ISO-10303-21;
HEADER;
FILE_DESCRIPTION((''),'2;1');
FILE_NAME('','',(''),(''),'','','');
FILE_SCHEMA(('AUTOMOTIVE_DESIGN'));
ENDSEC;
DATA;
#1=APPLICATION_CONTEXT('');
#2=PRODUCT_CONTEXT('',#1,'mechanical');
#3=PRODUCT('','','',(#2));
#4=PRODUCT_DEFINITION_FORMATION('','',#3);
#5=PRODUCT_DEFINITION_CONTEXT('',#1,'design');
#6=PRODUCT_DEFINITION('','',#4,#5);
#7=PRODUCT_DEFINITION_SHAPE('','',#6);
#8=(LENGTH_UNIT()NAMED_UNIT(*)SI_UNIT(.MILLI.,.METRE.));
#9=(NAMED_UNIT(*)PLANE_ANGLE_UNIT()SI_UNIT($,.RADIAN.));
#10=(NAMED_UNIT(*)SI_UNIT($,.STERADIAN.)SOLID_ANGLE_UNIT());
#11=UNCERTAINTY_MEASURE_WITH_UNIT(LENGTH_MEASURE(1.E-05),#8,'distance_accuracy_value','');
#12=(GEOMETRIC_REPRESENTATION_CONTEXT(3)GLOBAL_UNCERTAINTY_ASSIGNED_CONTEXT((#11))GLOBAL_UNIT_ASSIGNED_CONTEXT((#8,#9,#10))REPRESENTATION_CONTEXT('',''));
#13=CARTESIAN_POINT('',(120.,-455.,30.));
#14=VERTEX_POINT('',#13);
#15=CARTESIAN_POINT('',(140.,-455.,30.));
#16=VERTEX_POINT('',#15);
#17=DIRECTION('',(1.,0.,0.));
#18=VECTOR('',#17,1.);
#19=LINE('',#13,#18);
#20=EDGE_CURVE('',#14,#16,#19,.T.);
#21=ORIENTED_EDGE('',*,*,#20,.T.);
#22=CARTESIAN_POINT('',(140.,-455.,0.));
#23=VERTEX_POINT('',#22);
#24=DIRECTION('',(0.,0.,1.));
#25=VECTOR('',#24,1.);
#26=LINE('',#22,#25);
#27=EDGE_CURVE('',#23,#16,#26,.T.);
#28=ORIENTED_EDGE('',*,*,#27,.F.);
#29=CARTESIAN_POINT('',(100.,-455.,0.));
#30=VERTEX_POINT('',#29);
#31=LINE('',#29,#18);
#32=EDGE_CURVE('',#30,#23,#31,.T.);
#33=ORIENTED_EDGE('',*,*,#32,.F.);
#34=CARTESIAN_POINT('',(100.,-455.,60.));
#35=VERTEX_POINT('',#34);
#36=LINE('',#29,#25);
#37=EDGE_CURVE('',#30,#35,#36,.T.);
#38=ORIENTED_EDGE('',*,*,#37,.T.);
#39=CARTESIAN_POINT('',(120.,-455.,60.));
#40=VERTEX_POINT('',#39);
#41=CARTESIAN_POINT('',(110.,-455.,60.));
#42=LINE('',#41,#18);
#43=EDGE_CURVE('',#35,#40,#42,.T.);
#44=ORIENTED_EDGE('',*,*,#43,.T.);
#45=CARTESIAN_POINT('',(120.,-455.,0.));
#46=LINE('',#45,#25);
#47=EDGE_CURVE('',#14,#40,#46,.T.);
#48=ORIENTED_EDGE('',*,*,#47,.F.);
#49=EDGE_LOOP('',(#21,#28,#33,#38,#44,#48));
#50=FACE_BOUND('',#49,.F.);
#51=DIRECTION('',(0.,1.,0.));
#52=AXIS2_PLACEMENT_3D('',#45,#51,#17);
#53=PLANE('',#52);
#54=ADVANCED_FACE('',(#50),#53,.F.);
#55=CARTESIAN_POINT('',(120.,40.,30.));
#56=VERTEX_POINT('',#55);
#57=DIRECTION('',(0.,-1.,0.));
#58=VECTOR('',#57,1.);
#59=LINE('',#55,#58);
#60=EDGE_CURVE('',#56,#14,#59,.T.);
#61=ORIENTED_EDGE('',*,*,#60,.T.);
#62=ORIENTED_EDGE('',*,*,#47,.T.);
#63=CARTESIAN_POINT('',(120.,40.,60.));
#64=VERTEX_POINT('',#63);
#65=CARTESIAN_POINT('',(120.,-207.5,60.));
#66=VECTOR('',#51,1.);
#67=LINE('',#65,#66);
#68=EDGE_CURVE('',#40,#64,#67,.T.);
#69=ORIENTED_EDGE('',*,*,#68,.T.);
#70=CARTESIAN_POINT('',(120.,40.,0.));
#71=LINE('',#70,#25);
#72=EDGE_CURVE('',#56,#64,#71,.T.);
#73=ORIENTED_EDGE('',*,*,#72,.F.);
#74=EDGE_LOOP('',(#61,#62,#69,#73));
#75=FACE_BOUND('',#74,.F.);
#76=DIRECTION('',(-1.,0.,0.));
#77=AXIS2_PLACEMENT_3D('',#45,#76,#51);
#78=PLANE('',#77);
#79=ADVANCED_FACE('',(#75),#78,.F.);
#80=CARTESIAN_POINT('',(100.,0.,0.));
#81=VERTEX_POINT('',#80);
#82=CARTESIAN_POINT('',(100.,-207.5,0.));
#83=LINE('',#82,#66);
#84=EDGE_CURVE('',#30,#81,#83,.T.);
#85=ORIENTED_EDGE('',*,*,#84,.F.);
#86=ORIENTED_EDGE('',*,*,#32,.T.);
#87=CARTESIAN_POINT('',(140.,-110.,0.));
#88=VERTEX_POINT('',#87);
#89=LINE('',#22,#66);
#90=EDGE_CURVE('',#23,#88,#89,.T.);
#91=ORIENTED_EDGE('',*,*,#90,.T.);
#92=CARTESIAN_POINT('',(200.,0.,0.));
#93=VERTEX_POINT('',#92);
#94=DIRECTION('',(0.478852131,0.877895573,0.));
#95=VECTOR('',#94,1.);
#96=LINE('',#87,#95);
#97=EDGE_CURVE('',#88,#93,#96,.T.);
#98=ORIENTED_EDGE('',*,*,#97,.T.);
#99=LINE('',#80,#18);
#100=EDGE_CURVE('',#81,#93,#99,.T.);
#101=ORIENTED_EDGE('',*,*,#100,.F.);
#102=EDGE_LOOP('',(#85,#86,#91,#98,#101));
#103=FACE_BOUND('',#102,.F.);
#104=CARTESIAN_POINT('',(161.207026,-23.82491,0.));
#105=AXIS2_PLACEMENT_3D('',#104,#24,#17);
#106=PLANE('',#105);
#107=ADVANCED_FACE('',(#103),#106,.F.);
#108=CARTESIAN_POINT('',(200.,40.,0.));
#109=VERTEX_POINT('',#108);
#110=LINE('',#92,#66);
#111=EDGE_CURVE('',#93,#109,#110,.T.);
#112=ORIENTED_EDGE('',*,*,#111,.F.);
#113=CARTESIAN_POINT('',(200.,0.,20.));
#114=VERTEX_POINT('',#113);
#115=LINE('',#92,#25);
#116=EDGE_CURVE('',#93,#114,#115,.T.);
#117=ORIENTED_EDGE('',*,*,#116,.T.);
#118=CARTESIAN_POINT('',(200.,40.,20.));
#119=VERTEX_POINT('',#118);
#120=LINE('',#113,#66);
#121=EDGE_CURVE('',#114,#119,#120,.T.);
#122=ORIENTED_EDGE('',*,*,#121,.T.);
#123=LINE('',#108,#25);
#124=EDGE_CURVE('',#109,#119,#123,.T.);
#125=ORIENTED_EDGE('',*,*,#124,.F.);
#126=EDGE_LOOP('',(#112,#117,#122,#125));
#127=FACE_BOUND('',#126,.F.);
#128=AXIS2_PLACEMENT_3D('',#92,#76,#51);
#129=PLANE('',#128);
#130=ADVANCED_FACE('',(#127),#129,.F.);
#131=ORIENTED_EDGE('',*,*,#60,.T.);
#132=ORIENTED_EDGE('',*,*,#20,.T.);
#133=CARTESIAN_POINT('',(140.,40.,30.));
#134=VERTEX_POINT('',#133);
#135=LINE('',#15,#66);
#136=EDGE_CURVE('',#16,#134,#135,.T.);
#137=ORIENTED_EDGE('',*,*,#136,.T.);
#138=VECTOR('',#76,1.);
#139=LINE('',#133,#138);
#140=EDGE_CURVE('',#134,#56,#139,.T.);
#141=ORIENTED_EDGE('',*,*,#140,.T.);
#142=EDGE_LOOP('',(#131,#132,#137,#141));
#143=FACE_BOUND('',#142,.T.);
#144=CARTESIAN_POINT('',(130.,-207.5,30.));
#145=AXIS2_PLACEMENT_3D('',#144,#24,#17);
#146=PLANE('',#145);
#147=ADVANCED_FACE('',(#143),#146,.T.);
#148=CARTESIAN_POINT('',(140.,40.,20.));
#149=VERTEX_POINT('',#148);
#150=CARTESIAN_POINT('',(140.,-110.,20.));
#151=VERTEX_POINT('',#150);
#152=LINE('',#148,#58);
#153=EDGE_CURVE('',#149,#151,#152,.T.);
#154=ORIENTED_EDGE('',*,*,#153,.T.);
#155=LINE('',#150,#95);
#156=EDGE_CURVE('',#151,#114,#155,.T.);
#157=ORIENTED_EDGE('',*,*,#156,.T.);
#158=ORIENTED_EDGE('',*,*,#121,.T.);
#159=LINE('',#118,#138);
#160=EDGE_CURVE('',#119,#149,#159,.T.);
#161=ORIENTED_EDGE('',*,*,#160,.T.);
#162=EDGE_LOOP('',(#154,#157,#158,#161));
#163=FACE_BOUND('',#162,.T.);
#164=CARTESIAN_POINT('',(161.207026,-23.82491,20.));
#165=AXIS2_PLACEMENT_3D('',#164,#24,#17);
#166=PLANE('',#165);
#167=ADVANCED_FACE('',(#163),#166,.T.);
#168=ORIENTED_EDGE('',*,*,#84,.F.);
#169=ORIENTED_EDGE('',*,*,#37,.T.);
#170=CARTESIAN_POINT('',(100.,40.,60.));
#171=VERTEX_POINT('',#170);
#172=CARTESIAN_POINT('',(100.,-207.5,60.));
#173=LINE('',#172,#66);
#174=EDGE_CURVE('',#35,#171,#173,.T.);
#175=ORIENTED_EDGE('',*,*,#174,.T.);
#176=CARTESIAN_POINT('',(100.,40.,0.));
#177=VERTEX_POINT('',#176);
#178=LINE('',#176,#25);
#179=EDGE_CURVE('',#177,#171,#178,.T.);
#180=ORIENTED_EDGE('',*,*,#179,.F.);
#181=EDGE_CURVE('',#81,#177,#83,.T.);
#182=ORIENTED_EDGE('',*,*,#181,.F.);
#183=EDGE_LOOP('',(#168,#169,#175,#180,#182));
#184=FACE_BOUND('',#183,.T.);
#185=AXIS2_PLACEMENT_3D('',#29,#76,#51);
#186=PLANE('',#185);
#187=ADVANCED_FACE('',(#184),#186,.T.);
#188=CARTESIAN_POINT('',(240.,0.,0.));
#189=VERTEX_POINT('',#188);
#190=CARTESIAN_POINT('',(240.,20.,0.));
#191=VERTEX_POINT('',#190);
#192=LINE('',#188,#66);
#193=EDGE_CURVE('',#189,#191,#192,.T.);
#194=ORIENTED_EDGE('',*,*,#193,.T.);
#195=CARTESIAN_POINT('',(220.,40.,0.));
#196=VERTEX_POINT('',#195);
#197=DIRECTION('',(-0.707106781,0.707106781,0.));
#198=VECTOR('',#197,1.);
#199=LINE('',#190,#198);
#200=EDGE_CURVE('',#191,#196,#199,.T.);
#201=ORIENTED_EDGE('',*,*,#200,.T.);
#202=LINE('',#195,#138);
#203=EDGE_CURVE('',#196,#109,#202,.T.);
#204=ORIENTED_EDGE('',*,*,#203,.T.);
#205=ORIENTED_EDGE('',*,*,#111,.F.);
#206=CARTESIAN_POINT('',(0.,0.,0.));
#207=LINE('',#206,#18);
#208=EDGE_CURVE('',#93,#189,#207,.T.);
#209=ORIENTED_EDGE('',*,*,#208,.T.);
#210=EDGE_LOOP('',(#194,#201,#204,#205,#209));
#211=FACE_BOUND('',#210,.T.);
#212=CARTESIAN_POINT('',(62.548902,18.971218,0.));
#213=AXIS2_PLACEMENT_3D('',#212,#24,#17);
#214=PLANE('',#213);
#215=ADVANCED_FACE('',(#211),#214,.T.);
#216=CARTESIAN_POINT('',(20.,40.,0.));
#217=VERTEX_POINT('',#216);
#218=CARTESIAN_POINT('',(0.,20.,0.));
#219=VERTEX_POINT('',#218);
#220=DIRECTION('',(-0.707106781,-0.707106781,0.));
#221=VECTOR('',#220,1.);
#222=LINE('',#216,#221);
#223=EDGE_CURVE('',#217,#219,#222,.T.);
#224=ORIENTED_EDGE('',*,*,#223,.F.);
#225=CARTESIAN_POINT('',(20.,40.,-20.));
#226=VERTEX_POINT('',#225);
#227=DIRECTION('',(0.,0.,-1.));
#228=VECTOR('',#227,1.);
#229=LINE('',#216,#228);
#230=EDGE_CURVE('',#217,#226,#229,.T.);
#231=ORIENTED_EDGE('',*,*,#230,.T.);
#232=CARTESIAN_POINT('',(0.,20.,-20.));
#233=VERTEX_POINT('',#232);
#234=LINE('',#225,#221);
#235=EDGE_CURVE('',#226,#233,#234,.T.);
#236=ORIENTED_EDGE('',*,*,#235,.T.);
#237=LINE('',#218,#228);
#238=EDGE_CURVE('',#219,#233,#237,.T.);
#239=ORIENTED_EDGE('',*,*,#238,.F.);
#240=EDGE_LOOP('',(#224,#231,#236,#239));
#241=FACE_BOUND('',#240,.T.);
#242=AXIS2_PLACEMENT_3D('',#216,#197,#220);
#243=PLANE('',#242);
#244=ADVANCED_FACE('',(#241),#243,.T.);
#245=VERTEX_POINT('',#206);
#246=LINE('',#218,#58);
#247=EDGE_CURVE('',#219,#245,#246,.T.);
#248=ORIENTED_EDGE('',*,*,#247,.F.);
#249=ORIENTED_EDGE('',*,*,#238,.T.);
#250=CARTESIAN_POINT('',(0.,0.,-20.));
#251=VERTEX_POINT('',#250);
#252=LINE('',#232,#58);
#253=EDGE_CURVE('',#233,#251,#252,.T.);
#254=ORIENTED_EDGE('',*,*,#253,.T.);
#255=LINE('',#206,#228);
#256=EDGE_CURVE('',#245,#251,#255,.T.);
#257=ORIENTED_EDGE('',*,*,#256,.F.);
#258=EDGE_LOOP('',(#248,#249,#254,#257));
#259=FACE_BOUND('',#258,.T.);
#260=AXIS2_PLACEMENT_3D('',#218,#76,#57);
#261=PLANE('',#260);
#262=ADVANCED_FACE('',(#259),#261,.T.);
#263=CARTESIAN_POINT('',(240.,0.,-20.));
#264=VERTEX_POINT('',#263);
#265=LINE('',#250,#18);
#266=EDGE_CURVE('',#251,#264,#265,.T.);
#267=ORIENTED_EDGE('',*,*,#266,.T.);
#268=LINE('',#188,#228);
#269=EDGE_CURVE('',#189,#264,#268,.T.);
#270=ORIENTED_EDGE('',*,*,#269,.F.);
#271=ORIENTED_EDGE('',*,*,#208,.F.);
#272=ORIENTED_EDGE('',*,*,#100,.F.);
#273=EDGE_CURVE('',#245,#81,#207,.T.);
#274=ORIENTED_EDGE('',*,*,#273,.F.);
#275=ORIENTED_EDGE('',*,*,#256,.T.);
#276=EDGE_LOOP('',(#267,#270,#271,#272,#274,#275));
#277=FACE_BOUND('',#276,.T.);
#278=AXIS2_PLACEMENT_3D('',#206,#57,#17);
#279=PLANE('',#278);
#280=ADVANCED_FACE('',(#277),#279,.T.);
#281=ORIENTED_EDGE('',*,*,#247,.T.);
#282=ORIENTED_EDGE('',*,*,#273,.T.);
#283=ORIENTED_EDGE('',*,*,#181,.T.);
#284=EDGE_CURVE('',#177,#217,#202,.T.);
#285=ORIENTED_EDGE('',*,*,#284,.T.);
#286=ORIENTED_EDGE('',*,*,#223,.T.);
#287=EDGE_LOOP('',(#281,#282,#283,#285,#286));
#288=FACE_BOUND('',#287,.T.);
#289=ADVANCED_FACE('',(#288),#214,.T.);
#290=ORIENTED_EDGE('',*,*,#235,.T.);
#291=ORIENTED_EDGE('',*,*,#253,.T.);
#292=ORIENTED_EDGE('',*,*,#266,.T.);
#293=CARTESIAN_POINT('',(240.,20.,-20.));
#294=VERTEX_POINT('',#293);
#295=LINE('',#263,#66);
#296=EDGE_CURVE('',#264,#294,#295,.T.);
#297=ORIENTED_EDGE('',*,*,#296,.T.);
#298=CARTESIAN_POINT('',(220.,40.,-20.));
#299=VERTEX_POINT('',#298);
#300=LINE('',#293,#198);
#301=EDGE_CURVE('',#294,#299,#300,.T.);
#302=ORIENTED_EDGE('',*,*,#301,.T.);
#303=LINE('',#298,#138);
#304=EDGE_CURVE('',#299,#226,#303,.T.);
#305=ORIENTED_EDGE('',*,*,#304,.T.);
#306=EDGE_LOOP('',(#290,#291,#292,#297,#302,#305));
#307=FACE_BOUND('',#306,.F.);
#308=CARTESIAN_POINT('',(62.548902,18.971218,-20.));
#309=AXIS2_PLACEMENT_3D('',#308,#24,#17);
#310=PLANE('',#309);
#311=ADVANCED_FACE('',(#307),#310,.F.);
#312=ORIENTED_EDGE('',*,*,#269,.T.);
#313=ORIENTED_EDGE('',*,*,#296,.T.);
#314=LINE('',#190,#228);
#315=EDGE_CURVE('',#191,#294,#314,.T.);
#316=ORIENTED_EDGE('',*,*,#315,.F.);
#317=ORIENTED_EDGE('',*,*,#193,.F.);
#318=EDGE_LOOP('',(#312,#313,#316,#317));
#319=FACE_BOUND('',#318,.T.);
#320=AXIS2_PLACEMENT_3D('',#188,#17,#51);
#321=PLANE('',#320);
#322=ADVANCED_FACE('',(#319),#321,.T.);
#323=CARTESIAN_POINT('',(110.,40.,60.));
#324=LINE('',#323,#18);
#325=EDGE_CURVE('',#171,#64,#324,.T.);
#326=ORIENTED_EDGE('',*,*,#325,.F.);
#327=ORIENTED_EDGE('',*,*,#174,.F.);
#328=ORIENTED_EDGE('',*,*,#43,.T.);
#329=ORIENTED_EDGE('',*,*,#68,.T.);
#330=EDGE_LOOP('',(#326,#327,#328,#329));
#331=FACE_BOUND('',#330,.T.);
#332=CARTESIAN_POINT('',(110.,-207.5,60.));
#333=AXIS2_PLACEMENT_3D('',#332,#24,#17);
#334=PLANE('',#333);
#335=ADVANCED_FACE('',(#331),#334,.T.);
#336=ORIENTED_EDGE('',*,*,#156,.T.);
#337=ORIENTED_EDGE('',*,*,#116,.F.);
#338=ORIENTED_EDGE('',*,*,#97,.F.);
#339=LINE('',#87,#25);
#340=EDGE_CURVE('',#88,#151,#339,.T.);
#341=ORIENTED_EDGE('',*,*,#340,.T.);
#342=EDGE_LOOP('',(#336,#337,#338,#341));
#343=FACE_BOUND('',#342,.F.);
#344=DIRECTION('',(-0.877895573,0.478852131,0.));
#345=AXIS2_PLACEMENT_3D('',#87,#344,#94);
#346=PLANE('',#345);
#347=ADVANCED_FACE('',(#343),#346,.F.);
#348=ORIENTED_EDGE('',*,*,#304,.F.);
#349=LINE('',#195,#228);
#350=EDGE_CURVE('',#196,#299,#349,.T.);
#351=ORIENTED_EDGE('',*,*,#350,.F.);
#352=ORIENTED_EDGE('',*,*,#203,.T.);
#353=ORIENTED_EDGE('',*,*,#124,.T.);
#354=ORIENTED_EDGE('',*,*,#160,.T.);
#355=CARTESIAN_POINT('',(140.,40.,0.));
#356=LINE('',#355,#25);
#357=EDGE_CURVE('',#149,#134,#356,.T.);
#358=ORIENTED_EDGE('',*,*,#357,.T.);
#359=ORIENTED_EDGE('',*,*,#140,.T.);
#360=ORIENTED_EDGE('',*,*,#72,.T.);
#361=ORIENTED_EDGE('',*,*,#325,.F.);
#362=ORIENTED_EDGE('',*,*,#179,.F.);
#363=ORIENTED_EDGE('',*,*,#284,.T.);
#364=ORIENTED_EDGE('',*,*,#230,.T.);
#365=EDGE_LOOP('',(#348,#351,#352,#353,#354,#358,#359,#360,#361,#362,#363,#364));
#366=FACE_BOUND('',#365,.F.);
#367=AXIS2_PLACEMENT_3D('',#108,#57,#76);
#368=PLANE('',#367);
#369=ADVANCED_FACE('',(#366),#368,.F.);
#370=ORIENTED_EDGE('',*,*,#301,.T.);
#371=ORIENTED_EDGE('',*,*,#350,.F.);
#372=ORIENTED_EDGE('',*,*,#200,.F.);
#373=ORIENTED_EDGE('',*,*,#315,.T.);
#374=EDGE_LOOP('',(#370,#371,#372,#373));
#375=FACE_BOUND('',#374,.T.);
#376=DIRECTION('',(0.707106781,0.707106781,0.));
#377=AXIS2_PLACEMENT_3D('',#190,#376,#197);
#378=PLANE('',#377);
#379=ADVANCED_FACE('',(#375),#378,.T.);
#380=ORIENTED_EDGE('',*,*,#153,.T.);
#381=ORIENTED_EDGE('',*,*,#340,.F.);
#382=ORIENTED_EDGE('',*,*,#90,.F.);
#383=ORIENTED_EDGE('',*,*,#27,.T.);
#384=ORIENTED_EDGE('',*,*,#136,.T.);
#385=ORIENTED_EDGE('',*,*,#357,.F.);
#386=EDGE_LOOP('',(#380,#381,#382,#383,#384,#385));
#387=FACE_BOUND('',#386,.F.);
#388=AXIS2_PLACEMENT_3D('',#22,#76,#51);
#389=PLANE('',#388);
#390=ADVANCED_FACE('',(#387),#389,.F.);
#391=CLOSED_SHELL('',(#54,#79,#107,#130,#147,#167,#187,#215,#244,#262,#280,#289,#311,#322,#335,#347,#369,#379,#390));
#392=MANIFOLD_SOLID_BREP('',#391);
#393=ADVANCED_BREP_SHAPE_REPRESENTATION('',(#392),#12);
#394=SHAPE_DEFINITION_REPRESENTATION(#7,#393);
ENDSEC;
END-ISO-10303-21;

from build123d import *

# Parameters (mm, degrees)
F1_DEPTH = 20
F2_W     = 20
F2_H     = 495
F3_DEPTH = 60
F4_DEPTH = 30
F5_DEPTH = 20


with BuildPart() as f1:
    # F0 (on Top) → F1 (new body)
    with BuildSketch(Plane.XY):
        Polygon((120, 40), (20, 40), (0, 20), (0, 0), (120, 0), align=None)
        Polygon((220, 40), (120, 40), (120, 0), (240, 0), (240, 20), align=None)
    extrude(amount=-F1_DEPTH)

    # F2 (on Top) → F3 (join)
    with BuildSketch(Plane.XY):
        with Locations((110, -207.5)):
            Rectangle(F2_W, F2_H)
    extrude(amount=F3_DEPTH)

    # F2 (on Top) → F4 (join)
    with BuildSketch(Plane.XY):
        Polygon((140, 40), (120, 40), (120, -455), (140, -455), (140, -110), align=None)
    extrude(amount=F4_DEPTH)

    # F2 (on Top) → F5 (join)
    with BuildSketch(Plane.XY):
        Polygon((200, 40), (140, 40), (140, -110), (200, 0), align=None)
    extrude(amount=F5_DEPTH)


solid = f1.part
